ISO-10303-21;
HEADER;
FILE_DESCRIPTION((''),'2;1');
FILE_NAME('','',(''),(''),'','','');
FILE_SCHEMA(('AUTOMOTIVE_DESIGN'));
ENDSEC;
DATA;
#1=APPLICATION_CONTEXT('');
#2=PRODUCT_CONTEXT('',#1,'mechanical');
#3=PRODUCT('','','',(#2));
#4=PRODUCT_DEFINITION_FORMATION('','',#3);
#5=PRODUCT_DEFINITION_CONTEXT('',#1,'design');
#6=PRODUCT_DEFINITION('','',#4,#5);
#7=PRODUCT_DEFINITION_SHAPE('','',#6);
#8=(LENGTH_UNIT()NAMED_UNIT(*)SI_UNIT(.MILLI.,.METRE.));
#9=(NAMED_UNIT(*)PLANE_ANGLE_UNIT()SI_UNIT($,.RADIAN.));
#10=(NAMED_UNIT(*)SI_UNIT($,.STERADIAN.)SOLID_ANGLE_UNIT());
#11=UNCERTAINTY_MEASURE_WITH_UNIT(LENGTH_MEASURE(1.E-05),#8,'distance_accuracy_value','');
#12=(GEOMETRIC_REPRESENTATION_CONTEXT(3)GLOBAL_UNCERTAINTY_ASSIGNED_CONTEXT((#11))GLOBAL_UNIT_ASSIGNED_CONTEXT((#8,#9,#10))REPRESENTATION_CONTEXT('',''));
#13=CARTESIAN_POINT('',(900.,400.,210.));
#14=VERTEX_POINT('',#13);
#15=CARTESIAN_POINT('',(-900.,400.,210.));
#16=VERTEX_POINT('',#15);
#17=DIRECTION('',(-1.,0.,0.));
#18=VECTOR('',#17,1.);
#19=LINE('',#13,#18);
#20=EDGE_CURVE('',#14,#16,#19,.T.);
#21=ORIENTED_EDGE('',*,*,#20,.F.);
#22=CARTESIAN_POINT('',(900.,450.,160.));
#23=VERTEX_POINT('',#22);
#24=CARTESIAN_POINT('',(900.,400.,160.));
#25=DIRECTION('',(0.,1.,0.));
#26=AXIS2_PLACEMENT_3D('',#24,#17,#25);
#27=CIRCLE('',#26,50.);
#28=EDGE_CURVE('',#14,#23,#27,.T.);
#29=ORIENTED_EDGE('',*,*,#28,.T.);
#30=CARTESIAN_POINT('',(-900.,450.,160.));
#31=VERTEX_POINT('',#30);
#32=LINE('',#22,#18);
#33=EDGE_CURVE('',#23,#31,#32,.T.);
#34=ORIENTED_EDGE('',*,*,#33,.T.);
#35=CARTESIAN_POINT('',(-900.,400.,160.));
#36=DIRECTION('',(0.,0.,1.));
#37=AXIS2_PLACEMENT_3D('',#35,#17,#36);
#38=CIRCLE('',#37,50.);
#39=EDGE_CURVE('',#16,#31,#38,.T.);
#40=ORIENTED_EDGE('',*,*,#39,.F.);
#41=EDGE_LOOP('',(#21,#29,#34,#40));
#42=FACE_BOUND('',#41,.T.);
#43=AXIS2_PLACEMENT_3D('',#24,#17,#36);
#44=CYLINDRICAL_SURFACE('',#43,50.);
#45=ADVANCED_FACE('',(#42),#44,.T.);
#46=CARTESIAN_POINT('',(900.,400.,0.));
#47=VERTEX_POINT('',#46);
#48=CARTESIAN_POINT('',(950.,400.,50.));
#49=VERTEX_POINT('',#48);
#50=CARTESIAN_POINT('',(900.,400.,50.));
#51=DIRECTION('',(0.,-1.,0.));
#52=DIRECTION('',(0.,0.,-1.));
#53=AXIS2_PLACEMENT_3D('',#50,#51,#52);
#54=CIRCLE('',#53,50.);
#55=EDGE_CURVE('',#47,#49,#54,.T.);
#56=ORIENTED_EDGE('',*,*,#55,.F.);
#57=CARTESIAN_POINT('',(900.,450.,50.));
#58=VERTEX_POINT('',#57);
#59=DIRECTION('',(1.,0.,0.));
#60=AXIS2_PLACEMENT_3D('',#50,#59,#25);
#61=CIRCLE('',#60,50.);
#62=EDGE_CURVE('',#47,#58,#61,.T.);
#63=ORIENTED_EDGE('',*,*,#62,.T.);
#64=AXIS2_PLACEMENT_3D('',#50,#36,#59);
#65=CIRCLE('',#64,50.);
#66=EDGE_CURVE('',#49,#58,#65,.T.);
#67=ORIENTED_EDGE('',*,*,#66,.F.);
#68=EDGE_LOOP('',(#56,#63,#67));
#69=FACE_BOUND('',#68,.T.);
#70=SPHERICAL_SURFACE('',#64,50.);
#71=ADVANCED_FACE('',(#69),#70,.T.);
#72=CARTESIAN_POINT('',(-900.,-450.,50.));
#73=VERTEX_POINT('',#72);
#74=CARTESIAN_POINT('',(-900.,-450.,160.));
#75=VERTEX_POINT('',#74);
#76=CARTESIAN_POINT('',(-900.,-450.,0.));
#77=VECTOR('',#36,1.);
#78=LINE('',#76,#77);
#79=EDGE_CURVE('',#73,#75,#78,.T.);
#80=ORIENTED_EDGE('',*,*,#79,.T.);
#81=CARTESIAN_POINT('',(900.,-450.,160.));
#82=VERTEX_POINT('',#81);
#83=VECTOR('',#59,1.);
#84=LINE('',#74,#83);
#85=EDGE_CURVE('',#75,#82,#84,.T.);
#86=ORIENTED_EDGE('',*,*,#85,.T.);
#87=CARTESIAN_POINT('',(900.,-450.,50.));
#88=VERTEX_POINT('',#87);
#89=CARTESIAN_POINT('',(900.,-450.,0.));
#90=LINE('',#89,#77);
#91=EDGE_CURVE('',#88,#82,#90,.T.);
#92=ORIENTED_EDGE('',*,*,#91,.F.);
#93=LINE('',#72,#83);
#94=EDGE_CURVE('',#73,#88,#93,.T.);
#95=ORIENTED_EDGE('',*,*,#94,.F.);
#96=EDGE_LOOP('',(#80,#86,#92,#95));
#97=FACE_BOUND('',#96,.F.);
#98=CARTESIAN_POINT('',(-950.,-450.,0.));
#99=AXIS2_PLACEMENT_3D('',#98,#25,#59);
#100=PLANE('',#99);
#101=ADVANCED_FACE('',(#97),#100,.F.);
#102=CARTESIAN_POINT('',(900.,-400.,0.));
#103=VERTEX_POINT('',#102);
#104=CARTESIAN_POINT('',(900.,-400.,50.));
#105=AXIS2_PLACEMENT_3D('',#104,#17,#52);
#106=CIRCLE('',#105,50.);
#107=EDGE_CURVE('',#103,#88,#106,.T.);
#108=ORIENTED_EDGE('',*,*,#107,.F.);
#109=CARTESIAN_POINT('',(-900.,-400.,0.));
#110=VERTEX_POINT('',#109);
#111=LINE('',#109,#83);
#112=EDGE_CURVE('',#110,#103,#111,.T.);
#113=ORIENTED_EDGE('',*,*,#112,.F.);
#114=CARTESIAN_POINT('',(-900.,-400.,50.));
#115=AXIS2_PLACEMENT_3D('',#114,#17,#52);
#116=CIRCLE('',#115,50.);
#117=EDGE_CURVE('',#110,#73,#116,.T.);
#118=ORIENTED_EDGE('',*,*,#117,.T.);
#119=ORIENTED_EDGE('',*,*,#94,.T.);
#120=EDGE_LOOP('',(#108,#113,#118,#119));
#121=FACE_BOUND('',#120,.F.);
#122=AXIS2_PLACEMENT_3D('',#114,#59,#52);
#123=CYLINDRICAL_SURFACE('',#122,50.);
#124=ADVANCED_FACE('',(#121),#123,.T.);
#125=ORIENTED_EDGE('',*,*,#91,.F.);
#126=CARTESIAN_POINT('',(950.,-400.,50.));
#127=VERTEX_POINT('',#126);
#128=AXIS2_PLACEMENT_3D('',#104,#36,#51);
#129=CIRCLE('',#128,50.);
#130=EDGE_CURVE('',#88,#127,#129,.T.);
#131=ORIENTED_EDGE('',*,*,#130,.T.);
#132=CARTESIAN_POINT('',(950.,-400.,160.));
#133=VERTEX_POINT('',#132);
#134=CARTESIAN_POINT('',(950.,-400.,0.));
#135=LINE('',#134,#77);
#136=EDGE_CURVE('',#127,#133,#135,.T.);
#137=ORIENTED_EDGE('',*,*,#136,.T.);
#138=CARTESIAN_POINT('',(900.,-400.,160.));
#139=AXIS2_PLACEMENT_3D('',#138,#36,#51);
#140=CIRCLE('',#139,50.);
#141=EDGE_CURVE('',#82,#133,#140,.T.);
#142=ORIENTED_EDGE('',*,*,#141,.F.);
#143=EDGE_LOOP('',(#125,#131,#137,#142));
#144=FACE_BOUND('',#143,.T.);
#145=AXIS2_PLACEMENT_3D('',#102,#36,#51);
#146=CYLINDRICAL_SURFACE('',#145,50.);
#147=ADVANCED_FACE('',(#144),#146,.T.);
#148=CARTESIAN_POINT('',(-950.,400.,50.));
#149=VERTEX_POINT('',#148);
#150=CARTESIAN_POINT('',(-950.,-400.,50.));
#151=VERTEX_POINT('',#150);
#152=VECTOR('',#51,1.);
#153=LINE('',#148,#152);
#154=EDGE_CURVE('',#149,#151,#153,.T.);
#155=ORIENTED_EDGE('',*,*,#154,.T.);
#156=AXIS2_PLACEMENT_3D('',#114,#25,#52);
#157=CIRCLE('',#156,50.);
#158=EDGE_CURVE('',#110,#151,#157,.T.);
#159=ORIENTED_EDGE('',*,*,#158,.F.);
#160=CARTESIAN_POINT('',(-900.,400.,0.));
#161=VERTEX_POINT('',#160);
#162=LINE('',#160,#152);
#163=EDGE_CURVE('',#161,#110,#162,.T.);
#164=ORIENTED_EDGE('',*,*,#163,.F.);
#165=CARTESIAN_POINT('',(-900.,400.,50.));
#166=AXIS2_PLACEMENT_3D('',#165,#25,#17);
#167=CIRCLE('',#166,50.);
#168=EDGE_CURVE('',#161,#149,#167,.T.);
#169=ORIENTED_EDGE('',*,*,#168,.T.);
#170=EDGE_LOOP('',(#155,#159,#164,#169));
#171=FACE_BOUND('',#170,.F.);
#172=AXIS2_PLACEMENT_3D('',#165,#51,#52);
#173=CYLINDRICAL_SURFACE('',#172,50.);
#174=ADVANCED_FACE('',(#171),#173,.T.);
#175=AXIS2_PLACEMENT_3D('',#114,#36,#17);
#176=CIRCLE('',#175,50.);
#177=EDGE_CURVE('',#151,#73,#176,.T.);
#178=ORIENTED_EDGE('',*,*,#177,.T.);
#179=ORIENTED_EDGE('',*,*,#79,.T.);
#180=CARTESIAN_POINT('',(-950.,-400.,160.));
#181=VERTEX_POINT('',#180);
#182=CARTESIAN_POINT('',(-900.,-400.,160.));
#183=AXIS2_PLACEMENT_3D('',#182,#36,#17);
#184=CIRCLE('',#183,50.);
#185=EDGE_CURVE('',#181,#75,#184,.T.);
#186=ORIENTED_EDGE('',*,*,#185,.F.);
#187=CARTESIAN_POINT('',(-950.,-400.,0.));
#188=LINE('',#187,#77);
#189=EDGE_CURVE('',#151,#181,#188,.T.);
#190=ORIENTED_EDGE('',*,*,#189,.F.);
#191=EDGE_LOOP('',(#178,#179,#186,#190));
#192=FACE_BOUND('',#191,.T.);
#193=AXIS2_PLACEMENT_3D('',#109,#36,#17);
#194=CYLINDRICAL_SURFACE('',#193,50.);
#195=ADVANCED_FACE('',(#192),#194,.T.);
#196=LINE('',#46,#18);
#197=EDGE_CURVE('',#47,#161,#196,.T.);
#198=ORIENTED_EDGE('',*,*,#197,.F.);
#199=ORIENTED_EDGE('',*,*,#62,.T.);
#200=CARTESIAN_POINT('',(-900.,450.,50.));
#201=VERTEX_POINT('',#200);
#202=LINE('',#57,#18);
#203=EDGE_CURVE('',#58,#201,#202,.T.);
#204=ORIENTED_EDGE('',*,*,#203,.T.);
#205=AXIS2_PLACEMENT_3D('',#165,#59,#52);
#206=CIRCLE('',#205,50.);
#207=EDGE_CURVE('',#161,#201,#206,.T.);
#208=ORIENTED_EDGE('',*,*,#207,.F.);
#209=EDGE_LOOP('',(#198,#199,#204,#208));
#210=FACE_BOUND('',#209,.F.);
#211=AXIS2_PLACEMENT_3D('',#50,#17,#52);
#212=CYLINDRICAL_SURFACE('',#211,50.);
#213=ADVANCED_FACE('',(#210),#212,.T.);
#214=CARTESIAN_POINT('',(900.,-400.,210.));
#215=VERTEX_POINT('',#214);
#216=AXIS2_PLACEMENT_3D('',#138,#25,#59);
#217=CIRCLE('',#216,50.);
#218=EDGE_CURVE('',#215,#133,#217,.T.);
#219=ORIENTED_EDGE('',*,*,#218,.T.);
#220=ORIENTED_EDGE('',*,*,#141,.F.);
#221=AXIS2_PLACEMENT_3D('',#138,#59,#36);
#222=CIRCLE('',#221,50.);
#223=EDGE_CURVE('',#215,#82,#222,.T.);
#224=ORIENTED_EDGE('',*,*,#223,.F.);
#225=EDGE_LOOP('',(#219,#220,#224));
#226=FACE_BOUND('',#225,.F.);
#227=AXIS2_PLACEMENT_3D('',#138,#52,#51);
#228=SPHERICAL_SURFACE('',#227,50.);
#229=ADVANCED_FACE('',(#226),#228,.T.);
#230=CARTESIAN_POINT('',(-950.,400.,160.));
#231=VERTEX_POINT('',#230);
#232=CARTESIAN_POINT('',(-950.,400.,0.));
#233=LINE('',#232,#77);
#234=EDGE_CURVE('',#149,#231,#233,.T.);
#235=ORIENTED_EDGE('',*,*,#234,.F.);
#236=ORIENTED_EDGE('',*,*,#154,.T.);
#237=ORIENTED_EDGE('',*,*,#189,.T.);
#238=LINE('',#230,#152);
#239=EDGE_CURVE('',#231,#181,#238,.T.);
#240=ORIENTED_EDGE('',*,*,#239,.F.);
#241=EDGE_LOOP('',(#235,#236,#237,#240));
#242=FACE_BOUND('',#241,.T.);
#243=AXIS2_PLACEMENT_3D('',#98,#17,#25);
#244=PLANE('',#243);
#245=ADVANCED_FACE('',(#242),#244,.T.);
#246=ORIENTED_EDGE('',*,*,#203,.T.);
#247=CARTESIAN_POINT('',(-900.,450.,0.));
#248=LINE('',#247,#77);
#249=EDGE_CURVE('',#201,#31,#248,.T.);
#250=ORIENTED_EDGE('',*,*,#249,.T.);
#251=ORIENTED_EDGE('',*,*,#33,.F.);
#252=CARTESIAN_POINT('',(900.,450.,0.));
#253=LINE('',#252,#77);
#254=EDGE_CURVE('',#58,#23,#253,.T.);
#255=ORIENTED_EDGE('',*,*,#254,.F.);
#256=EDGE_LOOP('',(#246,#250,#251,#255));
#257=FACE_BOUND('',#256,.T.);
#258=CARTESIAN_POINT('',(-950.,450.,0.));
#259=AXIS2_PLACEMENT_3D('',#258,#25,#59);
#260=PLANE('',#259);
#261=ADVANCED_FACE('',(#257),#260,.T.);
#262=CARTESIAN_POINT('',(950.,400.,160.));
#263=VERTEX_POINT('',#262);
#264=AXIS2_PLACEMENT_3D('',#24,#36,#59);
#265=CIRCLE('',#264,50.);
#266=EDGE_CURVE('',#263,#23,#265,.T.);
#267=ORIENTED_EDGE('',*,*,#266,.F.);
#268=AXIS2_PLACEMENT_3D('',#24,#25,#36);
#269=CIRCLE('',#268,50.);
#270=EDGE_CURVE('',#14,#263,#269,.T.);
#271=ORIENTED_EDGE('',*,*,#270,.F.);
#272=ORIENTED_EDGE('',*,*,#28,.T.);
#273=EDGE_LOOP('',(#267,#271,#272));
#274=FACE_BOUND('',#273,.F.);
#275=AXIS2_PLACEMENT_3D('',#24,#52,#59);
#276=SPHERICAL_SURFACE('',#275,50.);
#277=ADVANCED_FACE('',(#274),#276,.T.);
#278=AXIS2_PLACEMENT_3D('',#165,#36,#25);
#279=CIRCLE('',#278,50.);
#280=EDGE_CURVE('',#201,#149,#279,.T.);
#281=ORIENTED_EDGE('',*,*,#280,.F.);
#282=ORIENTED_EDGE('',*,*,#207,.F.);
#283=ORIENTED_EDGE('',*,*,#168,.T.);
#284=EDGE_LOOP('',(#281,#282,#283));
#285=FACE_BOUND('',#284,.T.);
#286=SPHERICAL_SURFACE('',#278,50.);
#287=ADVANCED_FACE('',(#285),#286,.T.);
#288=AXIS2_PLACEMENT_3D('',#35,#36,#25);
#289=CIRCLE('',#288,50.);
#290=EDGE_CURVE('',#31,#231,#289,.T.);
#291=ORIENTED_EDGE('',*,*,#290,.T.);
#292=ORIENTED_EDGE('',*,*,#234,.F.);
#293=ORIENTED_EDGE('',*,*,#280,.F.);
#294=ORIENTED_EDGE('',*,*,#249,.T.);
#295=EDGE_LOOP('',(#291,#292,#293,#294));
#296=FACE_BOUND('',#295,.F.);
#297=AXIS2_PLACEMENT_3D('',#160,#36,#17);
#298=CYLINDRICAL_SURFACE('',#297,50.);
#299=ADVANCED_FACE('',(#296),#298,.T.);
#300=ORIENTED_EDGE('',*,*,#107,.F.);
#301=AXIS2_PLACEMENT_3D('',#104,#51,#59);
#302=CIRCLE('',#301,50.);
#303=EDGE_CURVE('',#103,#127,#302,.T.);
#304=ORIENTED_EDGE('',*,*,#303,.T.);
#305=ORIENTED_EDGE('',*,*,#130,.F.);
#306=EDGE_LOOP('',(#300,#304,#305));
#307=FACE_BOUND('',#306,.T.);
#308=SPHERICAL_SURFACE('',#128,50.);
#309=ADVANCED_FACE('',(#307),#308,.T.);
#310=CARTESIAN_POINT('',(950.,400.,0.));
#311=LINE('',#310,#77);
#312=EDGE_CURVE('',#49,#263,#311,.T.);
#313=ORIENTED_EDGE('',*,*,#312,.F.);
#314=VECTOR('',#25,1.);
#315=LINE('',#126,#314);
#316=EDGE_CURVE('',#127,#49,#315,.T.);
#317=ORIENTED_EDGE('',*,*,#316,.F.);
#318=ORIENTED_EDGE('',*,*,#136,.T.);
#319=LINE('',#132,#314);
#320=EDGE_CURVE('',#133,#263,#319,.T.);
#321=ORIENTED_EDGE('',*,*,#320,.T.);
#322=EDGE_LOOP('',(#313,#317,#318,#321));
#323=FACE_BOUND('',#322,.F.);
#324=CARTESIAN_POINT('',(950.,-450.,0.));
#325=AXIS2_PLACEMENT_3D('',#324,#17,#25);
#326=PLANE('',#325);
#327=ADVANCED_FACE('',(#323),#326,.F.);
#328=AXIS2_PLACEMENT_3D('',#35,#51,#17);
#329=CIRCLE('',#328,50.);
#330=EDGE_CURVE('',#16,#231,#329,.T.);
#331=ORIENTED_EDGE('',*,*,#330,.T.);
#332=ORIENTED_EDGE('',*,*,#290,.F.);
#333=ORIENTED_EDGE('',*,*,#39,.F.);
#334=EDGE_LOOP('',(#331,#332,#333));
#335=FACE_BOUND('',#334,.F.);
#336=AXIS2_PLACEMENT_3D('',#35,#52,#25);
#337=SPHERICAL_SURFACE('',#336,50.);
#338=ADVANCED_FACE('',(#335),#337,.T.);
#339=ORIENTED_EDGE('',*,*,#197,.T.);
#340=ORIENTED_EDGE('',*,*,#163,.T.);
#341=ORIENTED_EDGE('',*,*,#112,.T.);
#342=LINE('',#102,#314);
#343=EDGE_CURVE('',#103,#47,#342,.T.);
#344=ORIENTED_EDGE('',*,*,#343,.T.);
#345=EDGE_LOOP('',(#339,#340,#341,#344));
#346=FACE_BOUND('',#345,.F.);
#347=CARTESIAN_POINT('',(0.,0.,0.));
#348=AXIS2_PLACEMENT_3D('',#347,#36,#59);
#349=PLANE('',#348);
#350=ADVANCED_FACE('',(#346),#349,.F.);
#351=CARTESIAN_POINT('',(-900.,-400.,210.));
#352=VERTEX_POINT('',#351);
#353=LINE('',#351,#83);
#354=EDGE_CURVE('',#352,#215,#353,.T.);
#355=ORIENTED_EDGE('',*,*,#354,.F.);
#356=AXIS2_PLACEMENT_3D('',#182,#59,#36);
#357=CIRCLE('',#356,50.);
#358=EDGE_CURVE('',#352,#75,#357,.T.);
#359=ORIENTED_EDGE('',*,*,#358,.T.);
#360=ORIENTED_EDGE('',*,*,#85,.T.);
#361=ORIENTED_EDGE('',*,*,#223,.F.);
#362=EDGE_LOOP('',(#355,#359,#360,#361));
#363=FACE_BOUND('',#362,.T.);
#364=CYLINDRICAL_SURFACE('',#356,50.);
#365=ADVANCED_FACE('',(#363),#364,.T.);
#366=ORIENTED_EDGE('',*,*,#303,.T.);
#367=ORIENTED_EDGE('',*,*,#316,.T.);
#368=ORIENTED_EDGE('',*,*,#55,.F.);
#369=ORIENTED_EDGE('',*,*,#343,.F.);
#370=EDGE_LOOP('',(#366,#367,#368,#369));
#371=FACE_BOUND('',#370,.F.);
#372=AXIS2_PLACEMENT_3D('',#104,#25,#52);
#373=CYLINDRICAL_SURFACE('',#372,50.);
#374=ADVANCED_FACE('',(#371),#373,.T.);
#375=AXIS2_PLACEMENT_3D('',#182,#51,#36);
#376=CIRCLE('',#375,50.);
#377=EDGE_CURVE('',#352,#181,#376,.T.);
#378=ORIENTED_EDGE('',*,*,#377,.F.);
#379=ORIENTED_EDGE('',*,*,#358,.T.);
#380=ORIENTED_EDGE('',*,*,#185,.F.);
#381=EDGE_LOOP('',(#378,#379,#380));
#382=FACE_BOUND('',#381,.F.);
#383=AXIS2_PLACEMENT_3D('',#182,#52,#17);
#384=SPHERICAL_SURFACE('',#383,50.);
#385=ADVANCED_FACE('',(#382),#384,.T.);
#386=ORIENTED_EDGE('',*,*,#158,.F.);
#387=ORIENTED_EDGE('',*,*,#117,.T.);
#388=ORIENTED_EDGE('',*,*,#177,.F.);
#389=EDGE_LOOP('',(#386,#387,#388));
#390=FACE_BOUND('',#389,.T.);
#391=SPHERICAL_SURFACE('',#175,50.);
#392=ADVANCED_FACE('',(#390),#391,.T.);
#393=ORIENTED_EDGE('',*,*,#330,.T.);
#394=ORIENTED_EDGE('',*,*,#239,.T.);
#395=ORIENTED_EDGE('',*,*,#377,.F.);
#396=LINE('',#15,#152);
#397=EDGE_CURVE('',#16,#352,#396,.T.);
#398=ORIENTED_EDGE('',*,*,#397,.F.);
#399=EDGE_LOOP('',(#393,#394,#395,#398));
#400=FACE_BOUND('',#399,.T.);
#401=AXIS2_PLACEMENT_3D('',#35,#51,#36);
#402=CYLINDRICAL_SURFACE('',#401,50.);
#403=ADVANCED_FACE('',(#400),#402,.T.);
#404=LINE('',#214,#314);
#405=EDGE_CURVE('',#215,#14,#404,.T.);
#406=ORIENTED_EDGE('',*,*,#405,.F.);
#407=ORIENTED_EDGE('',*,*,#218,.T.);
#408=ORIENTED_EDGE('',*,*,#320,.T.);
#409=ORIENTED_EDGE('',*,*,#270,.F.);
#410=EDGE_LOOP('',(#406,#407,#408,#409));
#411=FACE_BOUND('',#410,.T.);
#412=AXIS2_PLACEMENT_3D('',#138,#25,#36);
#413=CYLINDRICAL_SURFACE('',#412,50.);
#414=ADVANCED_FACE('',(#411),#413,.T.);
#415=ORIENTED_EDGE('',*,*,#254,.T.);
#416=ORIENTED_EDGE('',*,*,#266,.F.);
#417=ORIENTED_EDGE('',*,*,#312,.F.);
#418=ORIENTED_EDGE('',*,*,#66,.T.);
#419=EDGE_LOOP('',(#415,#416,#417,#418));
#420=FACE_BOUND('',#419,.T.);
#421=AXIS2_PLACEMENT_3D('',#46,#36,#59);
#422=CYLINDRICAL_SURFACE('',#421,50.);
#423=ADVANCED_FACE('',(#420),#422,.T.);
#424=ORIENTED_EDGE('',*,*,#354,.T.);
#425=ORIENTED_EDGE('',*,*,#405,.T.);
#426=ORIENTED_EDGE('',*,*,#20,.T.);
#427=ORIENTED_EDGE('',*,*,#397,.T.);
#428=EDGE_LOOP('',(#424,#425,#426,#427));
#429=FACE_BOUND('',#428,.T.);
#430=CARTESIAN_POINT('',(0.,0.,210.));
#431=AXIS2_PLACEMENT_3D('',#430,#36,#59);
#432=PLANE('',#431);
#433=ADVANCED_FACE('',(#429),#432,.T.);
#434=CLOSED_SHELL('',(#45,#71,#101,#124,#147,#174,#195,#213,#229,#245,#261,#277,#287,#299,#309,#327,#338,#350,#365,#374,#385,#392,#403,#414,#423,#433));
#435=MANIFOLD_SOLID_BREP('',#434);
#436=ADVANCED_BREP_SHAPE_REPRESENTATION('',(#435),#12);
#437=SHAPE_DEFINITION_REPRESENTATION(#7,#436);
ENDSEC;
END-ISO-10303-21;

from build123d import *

# Parameters (mm, degrees)
F0_W     = 1900
F0_H     = 900
F1_DEPTH = 210
F2_R     = 50
F3_R     = 50


with BuildPart() as f1:
    # F0 (on Top) → F1 (new body)
    with BuildSketch(Plane.XY):
        Rectangle(F0_W, F0_H)
    extrude(amount=F1_DEPTH)

    # F2
    f2_edges = [f1.edges().sort_by_distance(p)[0] for p in [
        (-950, 450, 105),
        (-950, -450, 105),
        (950, -450, 105),
        (950, 450, 105),
    ]]
    fillet(f2_edges, radius=F2_R)

    # F3
    f3_edges = [f1.edges().sort_by_distance(p)[0] for p in [
        (0, -450, 210),
        (0, -450, 0),
    ]]
    fillet(f3_edges, radius=F3_R)


solid = f1.part
